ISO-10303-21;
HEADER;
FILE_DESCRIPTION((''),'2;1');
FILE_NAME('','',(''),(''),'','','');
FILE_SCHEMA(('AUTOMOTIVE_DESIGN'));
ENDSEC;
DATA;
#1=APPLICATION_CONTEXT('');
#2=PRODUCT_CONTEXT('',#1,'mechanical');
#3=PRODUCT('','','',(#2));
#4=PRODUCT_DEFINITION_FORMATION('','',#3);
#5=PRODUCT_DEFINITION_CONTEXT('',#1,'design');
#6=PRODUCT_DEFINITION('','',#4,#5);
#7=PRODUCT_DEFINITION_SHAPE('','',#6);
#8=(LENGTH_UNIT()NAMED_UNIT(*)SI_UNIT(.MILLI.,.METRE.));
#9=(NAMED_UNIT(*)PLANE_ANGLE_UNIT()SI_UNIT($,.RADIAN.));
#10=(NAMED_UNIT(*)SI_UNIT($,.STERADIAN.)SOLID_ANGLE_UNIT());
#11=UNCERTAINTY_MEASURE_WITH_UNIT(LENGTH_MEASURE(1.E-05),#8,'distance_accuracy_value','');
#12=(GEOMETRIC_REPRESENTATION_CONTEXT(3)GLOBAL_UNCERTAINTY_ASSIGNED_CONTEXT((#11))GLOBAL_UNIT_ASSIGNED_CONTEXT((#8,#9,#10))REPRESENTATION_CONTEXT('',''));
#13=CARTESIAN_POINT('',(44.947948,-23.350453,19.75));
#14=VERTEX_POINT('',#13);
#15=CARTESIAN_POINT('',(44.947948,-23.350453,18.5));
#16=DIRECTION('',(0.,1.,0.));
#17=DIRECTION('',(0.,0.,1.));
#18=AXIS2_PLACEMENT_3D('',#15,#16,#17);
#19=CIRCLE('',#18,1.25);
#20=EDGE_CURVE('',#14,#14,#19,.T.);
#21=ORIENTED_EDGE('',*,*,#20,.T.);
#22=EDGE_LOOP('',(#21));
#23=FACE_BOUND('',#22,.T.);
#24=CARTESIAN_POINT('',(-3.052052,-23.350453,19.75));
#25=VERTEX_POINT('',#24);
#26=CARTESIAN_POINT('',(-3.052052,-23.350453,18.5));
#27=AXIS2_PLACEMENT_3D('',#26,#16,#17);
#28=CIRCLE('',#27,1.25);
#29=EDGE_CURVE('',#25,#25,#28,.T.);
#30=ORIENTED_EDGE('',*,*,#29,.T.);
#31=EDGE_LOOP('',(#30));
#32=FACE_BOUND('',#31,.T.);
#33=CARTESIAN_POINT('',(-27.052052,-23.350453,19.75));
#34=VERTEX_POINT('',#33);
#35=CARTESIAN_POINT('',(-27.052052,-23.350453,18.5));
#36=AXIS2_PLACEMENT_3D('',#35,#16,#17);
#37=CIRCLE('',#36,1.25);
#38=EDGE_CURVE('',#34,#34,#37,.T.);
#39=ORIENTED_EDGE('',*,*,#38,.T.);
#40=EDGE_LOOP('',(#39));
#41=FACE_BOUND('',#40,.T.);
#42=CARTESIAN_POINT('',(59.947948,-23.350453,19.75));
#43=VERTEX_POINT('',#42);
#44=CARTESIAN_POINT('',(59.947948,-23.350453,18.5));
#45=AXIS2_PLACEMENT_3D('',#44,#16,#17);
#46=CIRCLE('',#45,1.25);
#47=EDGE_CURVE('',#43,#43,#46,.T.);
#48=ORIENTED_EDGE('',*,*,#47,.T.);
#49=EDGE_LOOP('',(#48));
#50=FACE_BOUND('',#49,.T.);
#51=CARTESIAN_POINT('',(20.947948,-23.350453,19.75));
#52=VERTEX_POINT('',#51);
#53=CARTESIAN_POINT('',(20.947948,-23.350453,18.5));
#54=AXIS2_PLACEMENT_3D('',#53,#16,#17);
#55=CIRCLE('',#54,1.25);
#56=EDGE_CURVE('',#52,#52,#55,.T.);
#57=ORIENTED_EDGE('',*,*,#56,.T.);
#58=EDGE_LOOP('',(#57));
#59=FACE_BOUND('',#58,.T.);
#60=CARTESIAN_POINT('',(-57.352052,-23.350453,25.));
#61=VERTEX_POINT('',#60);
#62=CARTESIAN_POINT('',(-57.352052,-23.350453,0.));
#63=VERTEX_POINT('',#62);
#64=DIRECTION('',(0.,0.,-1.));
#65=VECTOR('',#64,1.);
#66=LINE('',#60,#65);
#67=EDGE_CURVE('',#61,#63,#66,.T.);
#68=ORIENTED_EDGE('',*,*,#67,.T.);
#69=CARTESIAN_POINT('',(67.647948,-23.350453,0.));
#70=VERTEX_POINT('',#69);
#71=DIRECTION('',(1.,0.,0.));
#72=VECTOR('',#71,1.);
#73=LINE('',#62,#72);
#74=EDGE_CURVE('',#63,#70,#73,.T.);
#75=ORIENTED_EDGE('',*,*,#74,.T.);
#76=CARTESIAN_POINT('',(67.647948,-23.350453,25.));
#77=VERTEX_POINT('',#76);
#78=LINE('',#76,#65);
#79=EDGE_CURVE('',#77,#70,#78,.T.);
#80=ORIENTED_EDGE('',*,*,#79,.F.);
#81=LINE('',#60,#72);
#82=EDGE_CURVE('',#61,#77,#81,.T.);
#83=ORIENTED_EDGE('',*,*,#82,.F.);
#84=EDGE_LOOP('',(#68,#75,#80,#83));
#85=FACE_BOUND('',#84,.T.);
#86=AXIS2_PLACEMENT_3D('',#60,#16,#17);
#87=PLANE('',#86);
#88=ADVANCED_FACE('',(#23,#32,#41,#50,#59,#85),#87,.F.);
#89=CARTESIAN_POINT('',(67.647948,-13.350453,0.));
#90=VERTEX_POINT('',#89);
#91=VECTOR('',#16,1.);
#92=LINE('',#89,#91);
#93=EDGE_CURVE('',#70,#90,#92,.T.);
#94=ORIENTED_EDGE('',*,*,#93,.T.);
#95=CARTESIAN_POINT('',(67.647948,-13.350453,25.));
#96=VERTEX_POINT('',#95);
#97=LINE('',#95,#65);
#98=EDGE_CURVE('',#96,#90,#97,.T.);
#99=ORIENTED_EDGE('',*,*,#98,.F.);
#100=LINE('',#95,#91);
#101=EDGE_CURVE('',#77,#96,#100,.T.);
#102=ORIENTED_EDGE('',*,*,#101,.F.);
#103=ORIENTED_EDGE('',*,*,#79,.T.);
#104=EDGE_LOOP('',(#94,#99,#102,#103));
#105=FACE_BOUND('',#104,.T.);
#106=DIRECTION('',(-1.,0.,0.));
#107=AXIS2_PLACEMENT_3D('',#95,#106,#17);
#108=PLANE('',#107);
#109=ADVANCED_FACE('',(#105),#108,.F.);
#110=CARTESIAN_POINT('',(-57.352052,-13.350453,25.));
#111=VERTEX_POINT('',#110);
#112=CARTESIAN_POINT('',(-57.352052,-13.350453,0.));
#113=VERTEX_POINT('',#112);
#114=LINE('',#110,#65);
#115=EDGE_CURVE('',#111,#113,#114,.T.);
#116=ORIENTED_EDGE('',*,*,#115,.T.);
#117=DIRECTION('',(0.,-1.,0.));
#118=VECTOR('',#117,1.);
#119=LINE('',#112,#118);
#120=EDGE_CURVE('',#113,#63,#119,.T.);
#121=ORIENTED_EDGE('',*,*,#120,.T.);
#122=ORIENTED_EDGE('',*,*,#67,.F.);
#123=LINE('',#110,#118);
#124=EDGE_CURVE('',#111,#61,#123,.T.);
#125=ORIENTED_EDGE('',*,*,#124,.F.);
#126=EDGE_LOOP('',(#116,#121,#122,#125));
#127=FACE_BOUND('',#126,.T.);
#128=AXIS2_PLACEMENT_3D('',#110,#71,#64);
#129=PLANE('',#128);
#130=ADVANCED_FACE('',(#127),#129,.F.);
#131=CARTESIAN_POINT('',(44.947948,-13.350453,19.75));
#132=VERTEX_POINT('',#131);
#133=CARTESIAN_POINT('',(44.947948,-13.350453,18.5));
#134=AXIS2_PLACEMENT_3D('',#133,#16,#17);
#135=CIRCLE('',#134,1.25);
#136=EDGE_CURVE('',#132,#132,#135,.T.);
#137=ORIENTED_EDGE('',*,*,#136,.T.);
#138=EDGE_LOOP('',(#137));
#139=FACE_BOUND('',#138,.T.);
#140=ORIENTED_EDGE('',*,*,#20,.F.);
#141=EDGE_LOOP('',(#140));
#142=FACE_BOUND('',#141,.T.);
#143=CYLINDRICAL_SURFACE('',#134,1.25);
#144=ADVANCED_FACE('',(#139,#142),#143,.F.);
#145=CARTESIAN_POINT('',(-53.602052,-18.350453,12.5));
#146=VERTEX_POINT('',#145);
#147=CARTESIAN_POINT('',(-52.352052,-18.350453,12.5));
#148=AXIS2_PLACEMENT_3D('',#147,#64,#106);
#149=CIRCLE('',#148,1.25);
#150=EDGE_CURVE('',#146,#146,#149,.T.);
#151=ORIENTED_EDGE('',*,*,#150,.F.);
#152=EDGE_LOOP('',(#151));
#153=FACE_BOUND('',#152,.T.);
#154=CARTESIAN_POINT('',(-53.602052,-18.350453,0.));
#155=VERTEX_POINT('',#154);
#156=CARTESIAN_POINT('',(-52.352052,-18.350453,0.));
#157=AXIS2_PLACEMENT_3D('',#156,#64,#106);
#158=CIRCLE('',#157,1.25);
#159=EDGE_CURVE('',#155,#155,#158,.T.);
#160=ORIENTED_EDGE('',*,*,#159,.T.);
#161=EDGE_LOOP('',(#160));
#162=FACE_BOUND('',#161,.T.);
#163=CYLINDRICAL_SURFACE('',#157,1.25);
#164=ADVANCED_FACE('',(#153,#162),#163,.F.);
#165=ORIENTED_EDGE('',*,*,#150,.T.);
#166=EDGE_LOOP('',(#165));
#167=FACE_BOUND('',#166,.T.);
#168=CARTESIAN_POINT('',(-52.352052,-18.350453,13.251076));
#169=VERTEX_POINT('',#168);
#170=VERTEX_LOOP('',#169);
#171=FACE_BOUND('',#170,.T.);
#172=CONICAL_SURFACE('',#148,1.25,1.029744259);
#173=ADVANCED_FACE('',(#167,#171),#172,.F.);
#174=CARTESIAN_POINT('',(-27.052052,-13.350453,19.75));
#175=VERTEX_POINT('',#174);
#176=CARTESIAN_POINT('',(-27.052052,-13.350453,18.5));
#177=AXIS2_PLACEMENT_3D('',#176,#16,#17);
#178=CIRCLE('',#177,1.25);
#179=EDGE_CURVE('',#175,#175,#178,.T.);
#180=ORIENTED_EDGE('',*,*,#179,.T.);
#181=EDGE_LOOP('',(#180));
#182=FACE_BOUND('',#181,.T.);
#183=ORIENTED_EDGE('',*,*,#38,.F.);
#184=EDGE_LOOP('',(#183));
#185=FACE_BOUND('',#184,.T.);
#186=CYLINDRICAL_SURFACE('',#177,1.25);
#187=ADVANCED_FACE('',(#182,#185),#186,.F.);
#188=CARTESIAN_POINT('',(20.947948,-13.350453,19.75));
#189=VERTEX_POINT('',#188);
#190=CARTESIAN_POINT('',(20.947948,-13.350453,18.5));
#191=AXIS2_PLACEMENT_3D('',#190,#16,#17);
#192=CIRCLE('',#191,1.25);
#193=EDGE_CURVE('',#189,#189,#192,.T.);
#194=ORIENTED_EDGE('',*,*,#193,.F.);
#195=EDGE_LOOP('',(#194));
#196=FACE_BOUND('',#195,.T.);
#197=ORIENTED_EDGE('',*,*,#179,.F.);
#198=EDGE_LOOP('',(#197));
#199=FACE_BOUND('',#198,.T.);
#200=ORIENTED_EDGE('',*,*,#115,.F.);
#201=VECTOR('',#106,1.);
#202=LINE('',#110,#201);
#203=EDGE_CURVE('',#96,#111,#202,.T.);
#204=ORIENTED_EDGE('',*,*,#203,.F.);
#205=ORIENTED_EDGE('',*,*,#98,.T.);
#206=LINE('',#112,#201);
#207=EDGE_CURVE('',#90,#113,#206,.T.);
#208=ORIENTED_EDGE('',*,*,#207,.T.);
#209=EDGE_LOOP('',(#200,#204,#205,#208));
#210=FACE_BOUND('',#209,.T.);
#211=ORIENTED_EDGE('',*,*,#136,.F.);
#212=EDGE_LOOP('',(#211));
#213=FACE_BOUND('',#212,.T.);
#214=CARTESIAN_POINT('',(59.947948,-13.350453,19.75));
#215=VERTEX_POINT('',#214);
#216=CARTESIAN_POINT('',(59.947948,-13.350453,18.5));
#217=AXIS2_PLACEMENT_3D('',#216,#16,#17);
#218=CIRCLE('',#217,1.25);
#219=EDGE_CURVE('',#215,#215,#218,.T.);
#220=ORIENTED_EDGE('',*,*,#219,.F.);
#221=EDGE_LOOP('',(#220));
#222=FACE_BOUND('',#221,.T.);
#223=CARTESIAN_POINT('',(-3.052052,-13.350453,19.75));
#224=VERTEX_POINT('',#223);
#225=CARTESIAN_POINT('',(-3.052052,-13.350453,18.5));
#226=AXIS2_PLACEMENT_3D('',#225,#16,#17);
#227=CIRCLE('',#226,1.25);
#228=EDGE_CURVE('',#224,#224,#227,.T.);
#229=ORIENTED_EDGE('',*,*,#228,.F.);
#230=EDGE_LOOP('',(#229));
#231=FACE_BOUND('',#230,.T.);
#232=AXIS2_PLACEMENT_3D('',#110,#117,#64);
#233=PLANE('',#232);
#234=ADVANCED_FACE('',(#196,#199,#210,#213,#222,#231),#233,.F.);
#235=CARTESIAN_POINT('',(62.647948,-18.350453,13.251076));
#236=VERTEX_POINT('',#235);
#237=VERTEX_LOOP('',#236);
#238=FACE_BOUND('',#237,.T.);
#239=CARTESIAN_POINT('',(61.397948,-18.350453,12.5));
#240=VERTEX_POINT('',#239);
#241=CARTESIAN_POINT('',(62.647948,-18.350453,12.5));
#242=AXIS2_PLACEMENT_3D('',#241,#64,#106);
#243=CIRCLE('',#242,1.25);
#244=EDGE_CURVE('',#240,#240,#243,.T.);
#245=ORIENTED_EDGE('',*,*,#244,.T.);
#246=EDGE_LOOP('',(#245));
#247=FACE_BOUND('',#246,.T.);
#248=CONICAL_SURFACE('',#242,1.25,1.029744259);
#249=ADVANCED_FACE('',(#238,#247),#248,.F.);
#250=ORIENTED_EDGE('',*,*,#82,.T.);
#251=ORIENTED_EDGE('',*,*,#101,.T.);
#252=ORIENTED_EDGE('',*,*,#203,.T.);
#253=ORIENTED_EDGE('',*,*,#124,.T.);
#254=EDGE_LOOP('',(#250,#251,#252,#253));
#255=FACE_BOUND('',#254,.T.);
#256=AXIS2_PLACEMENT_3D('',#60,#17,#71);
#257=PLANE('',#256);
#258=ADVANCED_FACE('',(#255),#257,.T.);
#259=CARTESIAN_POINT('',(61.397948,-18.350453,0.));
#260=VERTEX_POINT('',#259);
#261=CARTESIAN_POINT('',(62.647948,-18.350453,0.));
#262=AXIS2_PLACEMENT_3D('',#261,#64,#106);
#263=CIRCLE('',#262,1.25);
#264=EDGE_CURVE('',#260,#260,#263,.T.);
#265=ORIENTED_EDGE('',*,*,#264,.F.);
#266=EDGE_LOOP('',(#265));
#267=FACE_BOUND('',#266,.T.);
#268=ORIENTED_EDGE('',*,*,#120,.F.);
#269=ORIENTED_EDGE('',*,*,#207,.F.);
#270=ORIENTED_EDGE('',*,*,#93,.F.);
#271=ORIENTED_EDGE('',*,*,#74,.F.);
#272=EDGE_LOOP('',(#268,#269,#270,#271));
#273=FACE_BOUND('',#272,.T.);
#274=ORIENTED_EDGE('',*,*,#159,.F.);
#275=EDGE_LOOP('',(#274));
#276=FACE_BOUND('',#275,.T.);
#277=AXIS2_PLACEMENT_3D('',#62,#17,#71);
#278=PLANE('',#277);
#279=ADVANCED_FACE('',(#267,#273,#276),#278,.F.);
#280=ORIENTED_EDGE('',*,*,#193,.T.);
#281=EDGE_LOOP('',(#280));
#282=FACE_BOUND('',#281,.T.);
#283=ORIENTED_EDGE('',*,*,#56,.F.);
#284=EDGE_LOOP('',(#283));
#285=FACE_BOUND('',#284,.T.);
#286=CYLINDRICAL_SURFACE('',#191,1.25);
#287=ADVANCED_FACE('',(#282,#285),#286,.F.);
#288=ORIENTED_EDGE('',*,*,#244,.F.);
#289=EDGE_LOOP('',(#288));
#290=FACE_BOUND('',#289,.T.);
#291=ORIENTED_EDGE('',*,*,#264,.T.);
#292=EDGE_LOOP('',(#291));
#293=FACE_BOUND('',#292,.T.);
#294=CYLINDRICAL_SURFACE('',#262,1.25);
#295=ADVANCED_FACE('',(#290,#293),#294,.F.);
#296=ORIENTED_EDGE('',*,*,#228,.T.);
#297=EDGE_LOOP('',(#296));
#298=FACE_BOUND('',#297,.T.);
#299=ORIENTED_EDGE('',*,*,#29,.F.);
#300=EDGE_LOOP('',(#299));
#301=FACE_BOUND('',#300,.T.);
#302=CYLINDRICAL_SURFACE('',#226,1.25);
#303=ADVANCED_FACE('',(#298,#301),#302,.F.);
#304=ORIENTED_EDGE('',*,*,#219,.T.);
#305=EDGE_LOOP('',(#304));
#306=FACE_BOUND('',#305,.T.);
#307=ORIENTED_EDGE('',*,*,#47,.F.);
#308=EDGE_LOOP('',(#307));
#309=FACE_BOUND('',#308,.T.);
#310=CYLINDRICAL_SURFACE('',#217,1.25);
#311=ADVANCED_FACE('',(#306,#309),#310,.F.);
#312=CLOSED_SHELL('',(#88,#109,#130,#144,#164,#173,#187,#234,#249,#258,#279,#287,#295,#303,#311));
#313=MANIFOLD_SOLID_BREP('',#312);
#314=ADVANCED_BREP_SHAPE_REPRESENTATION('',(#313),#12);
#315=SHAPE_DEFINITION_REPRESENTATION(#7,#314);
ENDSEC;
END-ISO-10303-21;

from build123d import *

# Parameters (mm, degrees)
SKETCH_1_W      = 125
SKETCH_1_H      = 10
EXTRUDE_1_DEPTH = 25
M3X0_52_D       = 2.5
M3X0_52_DEPTH   = 12.5
M3X0_52_TIP     = 0.751075774
M3X0_51_D       = 2.5


with BuildPart() as part:
    # Эскиз1 → Бобышка-Вытянуть1 (new body)
    with BuildSketch(Plane.XY):
        with Locations((5.147947656, -18.350453001)):
            Rectangle(SKETCH_1_W, SKETCH_1_H)
    extrude(amount=EXTRUDE_1_DEPTH)

    # Отверстие обработанное метчиком M3x0.52
    with Locations(Plane(origin=(0, 0, 0), x_dir=(-1, 0, 0), z_dir=(0, 0, -1))):
        with Locations((-62.647947656, -18.350453001), (52.352052344, -18.350453001)):
            Hole(M3X0_52_D / 2, depth=M3X0_52_DEPTH)
            with Locations((0, 0, -(M3X0_52_DEPTH + M3X0_52_TIP / 2))):  # 118° drill point
                Cone(0, M3X0_52_D / 2, M3X0_52_TIP, mode=Mode.SUBTRACT)

    # Отверстие обработанное метчиком M3x0.51 (through all)
    with Locations(Plane(origin=(0, -13.350453001, 0), x_dir=(-1, 0, 0), z_dir=(0, 1, 0))):
        with Locations((-44.947947656, 18.5), (-20.947947656, 18.5), (3.052052344, 18.5), (27.052052344, 18.5), (-59.947947656, 18.5)):
            Hole(M3X0_51_D / 2)


solid = part.part
